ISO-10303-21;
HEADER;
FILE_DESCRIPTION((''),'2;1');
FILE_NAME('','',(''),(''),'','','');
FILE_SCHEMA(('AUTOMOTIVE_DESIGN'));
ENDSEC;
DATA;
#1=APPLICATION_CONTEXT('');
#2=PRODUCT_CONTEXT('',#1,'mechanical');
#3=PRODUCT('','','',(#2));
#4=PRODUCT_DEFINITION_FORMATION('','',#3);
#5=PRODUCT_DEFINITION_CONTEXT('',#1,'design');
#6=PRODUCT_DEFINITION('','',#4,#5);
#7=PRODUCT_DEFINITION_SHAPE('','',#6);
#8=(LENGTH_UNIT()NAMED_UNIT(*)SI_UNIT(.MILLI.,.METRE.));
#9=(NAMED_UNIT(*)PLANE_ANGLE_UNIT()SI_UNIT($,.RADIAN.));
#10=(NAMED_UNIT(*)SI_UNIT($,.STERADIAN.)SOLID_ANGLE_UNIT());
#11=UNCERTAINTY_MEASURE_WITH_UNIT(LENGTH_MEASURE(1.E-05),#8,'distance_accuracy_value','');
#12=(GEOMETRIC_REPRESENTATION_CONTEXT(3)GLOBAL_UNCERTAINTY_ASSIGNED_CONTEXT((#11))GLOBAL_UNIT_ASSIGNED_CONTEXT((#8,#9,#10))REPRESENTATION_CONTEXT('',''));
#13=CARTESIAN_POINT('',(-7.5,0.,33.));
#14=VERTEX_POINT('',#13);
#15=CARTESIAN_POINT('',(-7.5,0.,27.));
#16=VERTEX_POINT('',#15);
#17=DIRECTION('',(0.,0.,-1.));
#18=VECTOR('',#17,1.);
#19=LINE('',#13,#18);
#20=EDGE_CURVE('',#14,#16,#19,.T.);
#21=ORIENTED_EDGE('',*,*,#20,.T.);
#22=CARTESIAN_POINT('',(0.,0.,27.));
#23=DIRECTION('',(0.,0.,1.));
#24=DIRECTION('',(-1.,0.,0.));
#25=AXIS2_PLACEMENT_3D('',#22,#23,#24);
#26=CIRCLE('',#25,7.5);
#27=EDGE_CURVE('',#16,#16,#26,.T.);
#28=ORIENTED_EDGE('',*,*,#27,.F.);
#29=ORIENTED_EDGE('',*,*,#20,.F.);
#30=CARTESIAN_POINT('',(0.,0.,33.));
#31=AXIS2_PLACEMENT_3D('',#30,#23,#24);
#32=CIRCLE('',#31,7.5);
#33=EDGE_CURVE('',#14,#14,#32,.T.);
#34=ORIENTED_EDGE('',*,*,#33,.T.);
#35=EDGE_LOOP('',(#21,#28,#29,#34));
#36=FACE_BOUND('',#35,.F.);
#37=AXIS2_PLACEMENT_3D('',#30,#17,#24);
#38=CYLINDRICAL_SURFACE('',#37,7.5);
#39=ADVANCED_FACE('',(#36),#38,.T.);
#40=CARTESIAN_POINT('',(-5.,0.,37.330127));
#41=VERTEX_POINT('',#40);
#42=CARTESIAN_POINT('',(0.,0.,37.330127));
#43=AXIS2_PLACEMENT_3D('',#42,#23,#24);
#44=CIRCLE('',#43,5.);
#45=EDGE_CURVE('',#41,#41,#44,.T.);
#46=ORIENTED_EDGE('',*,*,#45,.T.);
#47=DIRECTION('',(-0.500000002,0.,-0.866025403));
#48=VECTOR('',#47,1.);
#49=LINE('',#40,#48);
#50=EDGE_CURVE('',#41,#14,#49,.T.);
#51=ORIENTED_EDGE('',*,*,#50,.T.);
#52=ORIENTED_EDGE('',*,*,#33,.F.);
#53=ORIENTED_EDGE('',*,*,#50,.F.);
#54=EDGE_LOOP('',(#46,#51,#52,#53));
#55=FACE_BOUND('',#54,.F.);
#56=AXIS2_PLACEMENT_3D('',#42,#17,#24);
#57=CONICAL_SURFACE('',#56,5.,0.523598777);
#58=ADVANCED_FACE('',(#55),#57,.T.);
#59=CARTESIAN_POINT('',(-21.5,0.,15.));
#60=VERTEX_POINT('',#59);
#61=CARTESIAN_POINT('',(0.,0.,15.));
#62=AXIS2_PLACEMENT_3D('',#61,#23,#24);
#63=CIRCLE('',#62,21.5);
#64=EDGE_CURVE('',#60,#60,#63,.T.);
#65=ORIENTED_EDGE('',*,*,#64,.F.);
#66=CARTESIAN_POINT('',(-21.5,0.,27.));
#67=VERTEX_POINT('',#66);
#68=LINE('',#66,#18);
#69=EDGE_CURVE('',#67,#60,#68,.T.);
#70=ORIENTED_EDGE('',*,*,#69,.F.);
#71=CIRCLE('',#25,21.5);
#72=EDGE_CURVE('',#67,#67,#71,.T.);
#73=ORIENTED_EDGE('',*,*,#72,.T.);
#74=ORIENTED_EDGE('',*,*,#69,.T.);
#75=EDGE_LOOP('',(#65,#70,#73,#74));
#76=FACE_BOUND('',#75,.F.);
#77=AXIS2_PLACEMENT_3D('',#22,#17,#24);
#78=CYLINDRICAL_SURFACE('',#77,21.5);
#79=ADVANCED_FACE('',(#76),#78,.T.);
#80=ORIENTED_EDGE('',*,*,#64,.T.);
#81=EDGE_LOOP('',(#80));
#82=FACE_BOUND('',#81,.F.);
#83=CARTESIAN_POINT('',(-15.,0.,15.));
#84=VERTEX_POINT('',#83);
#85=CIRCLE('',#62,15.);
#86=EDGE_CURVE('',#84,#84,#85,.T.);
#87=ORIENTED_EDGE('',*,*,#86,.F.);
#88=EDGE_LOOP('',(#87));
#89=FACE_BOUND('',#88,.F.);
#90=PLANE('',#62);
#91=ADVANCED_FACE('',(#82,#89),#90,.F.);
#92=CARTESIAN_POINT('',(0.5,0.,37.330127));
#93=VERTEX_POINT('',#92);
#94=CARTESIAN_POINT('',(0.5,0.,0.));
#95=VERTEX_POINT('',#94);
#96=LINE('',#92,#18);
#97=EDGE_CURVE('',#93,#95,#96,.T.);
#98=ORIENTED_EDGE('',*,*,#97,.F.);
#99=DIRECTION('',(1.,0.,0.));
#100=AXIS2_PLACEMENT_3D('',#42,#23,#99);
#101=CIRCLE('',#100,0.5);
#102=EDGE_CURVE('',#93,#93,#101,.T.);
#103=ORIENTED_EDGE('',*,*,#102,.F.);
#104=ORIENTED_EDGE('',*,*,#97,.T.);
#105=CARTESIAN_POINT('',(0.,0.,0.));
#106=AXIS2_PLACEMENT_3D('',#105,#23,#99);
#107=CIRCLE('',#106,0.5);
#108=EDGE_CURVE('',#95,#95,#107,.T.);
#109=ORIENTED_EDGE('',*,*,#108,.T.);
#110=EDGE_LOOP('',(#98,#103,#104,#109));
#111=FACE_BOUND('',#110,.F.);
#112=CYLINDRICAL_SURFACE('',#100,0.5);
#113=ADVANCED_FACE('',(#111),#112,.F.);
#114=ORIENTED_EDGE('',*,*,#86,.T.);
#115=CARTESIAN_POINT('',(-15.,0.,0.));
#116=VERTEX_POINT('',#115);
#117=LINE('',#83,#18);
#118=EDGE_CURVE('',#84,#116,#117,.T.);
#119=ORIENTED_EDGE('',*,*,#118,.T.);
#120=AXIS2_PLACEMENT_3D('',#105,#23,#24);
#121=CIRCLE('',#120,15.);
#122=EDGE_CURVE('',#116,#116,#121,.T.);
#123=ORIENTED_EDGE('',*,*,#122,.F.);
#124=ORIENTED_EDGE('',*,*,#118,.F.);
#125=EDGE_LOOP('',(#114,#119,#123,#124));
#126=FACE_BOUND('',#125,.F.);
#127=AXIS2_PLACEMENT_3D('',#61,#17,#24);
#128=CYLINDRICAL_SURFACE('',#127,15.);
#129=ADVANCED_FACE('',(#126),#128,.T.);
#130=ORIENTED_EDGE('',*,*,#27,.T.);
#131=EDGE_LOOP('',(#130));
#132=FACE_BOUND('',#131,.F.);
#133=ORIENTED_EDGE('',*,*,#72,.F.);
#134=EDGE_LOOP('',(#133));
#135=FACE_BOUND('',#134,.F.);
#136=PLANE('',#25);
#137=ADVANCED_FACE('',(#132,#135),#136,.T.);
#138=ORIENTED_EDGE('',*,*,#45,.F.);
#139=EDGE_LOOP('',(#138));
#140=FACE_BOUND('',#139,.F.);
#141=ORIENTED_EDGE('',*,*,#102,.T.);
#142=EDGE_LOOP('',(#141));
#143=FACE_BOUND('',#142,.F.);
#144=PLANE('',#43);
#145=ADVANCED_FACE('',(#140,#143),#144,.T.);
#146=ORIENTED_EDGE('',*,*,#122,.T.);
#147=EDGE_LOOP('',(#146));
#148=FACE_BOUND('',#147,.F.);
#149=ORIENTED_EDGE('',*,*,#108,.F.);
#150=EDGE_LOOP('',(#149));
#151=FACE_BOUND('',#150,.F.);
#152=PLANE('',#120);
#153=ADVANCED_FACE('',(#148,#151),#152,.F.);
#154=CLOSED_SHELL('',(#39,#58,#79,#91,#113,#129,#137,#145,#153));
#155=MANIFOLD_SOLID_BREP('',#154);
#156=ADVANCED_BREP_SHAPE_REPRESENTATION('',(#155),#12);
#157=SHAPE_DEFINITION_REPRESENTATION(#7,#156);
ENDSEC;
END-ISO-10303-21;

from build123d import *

# Parameters (mm, degrees)
F2_R     = 0.5
F3_DEPTH = 37.331127


with BuildPart() as f1:
    # F0 (on Front) → F1 (revolve)
    with BuildSketch(Plane.XZ):
        Polygon((0, 0), (0, 37.330127), (-5, 37.330127), (-7.5, 33), (-7.5, 27), (-21.5, 27), (-21.5, 15), (-15, 15), (-15, 0), align=None)
    revolve(axis=Axis((0, 0, 47.314812), (0, 0, 1)))

    # F2 (on face) → F3 (cut, through all)
    with BuildSketch(Plane.XY.offset(37.330127)):
        Circle(F2_R)
    extrude(amount=-F3_DEPTH, mode=Mode.SUBTRACT)


solid = f1.part
